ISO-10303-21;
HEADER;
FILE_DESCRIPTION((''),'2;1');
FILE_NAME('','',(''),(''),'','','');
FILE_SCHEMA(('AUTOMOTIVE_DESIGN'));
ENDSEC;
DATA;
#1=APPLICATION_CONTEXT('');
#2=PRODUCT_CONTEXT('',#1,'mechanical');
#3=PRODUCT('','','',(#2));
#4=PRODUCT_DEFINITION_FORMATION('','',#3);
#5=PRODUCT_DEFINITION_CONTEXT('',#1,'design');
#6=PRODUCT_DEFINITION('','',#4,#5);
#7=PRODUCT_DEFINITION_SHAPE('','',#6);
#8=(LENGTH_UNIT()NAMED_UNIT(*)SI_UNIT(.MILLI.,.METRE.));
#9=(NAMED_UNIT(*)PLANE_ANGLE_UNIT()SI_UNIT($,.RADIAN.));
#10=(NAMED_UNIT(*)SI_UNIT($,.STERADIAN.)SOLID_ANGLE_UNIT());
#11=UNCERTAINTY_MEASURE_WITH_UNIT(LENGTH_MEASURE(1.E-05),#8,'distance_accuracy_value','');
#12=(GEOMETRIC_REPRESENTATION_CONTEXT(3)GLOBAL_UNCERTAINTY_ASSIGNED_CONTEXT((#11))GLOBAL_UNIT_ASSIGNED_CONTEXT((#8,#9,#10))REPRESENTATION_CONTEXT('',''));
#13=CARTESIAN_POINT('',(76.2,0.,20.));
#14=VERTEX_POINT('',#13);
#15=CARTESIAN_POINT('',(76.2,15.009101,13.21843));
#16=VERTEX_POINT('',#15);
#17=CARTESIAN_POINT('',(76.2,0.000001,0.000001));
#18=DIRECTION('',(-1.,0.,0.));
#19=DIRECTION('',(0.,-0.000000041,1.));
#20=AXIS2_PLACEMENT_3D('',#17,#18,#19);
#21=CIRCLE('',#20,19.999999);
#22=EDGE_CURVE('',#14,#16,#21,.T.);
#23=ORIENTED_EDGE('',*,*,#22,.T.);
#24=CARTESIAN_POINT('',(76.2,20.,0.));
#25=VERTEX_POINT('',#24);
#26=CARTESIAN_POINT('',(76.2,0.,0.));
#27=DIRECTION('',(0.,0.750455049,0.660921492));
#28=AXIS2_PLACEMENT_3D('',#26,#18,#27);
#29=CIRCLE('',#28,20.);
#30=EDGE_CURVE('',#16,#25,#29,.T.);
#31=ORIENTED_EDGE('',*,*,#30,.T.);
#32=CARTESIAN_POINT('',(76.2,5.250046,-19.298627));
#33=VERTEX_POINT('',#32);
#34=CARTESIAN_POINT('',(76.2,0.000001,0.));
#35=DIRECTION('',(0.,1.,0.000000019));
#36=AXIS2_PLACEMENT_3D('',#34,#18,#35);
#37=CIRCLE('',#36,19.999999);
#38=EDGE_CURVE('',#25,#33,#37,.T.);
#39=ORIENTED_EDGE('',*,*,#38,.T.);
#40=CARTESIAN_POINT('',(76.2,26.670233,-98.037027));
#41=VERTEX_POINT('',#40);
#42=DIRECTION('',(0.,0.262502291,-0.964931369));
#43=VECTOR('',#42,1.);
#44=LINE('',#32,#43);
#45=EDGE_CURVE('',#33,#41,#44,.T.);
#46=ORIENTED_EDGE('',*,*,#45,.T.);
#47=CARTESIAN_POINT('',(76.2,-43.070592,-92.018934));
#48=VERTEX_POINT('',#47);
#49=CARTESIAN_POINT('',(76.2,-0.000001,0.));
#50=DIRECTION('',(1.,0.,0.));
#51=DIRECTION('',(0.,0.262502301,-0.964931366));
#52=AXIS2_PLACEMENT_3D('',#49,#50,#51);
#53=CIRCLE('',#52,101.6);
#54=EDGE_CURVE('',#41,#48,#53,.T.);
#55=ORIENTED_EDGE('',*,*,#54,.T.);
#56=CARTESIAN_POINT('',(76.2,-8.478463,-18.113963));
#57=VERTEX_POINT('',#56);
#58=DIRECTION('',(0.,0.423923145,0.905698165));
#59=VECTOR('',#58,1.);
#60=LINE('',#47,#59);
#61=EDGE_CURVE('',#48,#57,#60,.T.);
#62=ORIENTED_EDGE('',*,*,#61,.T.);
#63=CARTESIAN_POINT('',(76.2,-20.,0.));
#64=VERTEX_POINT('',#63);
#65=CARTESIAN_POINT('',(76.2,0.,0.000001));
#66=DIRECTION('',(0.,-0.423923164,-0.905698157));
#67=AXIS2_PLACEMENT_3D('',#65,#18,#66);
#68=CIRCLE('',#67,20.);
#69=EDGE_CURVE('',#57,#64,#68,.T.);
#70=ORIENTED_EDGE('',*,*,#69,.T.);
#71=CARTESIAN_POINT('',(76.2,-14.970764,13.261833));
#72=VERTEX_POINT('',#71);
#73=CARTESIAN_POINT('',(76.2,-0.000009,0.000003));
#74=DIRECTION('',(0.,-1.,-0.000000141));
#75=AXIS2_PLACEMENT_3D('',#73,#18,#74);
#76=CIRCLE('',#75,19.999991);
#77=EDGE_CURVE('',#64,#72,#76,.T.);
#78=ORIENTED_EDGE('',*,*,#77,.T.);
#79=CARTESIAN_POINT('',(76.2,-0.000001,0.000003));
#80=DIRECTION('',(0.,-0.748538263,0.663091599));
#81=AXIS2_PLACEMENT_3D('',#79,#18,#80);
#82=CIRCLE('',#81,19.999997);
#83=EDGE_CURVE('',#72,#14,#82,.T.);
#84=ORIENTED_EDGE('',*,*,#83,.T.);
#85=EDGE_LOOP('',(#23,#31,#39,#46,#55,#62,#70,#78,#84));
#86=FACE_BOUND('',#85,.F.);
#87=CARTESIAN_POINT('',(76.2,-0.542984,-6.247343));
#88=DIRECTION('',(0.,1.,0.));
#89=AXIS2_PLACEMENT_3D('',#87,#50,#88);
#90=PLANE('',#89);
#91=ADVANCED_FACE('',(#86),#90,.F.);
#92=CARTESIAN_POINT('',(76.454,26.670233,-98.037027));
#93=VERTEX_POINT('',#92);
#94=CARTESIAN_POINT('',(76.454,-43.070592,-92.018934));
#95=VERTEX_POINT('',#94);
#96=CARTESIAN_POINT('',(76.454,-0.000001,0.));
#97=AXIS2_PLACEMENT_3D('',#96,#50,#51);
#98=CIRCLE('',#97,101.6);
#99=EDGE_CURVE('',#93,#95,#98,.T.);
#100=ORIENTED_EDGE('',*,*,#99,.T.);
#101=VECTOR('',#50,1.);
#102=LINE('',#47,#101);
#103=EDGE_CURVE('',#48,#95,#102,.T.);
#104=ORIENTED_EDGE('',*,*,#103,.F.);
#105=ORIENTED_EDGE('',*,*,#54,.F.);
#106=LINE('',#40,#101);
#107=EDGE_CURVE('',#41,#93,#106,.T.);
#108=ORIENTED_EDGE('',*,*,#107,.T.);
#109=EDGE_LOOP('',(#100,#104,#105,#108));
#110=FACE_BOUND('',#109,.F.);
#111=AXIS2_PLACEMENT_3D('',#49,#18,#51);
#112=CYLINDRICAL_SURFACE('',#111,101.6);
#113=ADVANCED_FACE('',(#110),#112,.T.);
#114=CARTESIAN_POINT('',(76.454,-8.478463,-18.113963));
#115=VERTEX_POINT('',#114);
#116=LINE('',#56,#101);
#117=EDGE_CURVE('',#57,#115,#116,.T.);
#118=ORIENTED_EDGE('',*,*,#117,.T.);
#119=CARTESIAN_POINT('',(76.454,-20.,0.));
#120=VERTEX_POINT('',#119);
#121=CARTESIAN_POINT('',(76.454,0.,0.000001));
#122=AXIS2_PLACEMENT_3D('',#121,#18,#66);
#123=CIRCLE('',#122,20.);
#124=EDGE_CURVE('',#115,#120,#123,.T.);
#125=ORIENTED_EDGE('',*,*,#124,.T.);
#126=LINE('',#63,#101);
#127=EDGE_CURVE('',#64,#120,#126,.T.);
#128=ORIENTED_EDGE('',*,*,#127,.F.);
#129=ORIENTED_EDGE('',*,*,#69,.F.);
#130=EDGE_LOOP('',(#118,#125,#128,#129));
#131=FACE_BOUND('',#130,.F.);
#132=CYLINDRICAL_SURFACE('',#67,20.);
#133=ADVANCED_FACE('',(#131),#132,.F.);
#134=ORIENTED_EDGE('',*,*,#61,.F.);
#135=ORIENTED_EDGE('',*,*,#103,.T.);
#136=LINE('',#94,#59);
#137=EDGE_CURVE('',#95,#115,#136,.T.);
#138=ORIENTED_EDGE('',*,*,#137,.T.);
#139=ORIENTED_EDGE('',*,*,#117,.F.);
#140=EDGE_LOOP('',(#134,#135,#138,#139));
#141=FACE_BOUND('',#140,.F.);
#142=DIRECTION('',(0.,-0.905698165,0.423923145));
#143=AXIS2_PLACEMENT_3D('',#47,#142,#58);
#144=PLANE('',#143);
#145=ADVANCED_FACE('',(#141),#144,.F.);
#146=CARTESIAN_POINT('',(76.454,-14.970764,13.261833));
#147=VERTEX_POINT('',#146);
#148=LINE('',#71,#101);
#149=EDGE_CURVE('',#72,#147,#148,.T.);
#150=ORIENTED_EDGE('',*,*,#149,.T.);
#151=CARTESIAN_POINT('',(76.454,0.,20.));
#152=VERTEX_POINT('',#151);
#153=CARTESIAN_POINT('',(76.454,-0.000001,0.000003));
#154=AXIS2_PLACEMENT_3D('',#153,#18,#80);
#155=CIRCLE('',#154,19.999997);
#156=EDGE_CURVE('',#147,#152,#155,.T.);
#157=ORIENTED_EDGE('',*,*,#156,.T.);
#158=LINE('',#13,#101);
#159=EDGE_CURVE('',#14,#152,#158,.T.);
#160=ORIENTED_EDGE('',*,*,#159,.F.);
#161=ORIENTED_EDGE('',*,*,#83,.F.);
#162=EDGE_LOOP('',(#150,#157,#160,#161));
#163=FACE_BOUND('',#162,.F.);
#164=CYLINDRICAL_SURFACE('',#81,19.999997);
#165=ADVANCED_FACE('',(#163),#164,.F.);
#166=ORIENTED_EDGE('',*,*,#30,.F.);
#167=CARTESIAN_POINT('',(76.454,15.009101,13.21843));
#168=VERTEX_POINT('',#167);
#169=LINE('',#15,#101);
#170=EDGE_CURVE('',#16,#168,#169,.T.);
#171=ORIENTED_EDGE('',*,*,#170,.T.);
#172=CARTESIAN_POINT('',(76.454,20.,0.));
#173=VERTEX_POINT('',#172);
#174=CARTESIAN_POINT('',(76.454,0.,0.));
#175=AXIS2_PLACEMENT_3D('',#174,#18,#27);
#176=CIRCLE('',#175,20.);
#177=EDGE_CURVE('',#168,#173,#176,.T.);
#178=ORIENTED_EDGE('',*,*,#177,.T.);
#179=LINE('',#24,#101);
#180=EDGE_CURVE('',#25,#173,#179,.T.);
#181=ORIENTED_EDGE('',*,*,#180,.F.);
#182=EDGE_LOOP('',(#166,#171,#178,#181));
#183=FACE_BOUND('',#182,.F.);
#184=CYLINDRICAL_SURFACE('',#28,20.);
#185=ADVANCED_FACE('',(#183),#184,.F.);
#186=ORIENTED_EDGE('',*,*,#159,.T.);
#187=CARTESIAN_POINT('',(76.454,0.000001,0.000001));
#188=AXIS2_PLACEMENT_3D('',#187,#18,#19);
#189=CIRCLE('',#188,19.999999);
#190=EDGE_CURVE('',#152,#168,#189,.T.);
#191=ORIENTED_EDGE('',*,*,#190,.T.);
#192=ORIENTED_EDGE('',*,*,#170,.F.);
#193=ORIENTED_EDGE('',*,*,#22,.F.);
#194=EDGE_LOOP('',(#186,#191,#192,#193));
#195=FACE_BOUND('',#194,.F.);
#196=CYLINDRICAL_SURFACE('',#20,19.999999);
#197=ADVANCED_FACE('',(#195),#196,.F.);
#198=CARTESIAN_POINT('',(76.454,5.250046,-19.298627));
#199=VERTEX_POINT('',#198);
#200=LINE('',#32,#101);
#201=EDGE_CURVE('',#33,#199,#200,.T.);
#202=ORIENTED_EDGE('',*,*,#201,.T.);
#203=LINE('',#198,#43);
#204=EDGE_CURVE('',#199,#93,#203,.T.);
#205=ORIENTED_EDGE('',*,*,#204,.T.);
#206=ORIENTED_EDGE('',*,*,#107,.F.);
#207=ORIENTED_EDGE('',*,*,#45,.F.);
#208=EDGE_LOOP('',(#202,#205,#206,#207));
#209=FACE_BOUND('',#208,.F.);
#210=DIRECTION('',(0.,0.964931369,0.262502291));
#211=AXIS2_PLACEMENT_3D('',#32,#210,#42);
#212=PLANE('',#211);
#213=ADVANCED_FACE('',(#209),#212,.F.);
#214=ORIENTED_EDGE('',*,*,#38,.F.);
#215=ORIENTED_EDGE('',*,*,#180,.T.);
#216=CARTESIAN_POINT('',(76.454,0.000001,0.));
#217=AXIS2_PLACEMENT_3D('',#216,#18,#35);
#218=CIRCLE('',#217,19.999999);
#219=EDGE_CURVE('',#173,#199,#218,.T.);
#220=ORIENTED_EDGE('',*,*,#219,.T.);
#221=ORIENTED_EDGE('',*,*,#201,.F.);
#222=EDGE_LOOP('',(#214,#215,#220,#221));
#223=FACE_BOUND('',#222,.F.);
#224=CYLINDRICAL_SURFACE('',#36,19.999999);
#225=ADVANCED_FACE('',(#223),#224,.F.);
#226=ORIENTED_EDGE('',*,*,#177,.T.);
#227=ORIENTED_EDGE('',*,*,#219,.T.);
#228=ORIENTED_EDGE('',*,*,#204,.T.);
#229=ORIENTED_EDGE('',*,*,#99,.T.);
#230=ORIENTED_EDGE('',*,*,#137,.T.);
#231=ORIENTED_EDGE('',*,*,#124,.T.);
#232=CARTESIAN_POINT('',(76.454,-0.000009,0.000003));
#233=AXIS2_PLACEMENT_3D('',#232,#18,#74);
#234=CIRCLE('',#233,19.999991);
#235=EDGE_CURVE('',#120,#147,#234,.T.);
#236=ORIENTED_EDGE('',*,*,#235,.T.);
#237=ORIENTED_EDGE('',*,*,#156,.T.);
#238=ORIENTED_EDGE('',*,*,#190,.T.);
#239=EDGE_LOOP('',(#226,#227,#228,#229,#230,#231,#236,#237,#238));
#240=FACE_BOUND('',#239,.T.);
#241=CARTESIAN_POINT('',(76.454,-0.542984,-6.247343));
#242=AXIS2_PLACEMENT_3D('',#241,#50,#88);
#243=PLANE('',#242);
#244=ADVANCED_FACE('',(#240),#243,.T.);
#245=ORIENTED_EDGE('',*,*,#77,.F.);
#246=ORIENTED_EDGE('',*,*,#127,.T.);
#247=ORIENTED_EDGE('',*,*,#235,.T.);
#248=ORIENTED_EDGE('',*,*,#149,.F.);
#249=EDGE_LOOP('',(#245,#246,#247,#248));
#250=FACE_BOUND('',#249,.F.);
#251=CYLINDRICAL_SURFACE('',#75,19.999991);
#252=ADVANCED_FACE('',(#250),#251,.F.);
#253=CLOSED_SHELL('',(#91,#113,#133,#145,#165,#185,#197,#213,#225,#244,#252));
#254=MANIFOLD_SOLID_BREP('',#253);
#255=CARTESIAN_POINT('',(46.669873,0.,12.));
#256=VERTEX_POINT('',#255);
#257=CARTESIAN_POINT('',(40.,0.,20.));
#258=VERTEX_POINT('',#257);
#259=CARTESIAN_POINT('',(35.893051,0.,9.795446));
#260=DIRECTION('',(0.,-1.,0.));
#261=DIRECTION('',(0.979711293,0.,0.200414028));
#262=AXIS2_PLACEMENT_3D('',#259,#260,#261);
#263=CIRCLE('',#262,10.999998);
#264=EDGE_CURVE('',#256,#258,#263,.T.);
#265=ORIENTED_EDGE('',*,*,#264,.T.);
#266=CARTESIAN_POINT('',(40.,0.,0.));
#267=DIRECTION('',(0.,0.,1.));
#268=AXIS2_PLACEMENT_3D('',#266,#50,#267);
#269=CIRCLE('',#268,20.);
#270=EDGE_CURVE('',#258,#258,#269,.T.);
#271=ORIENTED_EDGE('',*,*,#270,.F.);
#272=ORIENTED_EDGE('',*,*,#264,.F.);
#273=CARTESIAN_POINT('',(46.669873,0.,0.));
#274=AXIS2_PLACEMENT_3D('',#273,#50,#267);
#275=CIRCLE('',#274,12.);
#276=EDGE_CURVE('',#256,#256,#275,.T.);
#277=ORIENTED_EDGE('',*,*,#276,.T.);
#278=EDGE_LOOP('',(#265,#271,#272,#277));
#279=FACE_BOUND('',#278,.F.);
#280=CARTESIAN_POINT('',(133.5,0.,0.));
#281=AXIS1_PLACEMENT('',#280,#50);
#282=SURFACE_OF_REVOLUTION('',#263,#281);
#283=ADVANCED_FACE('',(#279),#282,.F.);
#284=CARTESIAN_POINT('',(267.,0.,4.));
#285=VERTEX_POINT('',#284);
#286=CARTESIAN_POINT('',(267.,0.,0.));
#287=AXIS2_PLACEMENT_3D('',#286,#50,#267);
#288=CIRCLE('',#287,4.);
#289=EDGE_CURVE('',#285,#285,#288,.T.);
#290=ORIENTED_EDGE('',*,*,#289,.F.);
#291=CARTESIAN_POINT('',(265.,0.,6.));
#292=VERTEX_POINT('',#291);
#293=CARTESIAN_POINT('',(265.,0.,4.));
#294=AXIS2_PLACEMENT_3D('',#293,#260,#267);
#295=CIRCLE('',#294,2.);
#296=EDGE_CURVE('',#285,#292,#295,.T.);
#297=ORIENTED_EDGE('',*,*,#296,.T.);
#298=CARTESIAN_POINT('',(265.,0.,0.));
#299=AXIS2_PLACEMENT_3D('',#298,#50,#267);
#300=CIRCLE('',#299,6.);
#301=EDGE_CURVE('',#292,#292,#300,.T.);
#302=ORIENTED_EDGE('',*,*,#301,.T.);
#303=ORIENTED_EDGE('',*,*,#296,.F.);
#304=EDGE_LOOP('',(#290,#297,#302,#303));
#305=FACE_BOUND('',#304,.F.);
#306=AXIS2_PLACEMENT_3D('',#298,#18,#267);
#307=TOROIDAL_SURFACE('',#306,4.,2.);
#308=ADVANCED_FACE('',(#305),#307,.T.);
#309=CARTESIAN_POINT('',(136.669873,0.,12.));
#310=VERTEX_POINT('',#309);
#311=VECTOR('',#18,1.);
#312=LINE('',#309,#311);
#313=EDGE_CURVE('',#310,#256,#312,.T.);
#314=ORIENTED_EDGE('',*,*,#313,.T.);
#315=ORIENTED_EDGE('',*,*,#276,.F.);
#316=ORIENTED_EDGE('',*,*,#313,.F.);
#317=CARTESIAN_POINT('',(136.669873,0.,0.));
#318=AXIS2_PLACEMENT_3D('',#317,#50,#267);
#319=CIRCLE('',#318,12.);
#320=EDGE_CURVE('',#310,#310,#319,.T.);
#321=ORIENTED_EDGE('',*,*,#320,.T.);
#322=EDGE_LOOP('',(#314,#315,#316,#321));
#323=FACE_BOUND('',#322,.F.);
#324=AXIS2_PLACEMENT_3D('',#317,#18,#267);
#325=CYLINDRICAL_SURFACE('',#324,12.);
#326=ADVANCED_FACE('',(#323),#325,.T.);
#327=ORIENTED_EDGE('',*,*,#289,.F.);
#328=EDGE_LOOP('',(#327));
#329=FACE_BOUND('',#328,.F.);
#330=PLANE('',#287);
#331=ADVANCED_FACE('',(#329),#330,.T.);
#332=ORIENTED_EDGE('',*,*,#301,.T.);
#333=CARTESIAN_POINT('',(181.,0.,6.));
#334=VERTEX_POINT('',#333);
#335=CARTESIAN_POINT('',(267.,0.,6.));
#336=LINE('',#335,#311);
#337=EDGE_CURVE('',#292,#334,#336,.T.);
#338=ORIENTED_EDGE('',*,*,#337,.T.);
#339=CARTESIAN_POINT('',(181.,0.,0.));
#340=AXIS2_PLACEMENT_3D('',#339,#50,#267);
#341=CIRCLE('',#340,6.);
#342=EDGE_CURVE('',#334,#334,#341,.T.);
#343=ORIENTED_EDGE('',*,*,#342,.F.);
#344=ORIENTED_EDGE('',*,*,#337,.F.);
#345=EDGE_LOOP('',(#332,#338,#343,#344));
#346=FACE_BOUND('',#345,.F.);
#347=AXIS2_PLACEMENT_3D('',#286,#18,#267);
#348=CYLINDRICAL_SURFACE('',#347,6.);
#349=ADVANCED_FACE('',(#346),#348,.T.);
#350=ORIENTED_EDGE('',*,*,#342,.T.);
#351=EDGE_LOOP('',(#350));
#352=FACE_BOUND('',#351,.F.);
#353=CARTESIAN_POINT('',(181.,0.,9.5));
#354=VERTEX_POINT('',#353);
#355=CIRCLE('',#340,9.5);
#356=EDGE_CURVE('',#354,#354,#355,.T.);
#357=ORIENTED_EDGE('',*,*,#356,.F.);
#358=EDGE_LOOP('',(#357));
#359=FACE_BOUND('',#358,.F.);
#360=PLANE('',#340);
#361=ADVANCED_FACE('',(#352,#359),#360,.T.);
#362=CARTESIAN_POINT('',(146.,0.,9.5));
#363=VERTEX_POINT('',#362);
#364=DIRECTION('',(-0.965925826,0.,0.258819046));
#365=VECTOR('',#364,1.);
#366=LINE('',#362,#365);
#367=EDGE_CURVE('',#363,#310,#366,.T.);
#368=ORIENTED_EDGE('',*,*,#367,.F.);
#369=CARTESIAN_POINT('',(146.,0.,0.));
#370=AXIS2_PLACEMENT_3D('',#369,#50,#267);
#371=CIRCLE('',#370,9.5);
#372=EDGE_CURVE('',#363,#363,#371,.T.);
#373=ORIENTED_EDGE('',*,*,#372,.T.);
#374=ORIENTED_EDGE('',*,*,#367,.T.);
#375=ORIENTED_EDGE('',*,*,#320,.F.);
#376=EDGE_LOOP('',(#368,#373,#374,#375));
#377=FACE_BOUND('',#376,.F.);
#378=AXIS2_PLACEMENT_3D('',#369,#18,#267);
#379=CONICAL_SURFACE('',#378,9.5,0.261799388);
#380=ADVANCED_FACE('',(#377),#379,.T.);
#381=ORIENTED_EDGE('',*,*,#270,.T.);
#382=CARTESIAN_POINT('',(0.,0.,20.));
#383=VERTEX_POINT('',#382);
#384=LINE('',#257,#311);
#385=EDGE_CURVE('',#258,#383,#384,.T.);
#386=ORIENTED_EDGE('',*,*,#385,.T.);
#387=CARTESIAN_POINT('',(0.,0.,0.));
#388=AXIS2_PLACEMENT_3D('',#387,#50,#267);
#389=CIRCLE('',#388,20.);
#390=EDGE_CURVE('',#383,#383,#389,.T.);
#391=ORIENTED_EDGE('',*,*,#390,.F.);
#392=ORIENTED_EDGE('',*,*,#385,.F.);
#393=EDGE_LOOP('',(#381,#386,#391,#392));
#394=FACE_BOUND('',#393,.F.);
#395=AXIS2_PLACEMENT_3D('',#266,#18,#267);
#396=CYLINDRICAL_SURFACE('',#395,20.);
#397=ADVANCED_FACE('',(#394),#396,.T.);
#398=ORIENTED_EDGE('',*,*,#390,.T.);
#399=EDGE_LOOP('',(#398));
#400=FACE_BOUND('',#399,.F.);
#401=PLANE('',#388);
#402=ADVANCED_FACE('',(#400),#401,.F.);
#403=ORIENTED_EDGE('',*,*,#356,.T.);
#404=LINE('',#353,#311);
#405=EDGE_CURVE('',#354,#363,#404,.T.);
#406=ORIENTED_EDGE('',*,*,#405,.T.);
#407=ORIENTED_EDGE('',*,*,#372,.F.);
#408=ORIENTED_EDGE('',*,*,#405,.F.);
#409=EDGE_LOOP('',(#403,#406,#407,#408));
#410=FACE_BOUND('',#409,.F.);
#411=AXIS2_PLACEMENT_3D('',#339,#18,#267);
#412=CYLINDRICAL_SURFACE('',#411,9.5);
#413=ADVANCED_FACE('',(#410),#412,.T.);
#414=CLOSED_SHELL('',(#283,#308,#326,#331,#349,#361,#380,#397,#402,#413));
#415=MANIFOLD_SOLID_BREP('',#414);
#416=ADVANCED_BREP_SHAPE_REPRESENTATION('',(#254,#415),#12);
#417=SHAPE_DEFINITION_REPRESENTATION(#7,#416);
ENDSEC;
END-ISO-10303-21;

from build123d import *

# Parameters (mm, degrees)
F2_R     = 2
F5_DEPTH = 0.254


with BuildPart() as f1:
    # F0 (on Front) → F1 (revolve)
    with BuildSketch(Plane.XZ):
        with BuildLine():
            Line((0, 0), (267, 0))
            Line((267, 0), (267, 6))
            Line((267, 6), (181, 6))
            Line((181, 6), (181, 9.5))
            Line((181, 9.5), (146, 9.5))
            Line((146, 9.5), (136.669873, 12))
            Line((136.669873, 12), (46.669873, 12))
            ThreePointArc((46.669873, 12), (44.341818, 16.839471), (40, 20))
            Line((40, 20), (0, 20))
            Line((0, 20), (0, 0))
        make_face()
    revolve(axis=Axis((133.5, 0, 0), (1, 0, 0)))

    # F2
    f2_edges = [f1.edges().sort_by_distance(p)[0] for p in [
        (267, 0, -6),
    ]]
    fillet(f2_edges, radius=F2_R)


with BuildPart() as f5:
    # F4 (on offset) → F5 (new body)
    with BuildSketch(Plane.YZ.offset(76.2)):
        with BuildLine():
            ThreePointArc((20, 0), (15.890263, -12.144939), (5.250046, -19.298627))
            Line((5.250046, -19.298627), (26.670233, -98.037027))
            ThreePointArc((26.670233, -98.037027), (8.734833, 101.223825), (-43.070592, -92.018934))
            Line((-43.070592, -92.018934), (-8.478463, -18.113963))
            ThreePointArc((-8.478463, -18.113963), (-16.875563, -10.733842), (-20, 0))
            ThreePointArc((-20, 0), (-18.700472, 7.091711), (-14.970764, 13.261833))
            ThreePointArc((-14.970764, 13.261833), (-8.208634, 18.237827), (0, 20))
            ThreePointArc((0, 20), (8.235029, 18.225924), (15.009101, 13.21843))
            ThreePointArc((15.009101, 13.21843), (18.710719, 7.06463), (20, 0))
        make_face()
    extrude(amount=F5_DEPTH)


solid = Compound([f1.part, f5.part])
